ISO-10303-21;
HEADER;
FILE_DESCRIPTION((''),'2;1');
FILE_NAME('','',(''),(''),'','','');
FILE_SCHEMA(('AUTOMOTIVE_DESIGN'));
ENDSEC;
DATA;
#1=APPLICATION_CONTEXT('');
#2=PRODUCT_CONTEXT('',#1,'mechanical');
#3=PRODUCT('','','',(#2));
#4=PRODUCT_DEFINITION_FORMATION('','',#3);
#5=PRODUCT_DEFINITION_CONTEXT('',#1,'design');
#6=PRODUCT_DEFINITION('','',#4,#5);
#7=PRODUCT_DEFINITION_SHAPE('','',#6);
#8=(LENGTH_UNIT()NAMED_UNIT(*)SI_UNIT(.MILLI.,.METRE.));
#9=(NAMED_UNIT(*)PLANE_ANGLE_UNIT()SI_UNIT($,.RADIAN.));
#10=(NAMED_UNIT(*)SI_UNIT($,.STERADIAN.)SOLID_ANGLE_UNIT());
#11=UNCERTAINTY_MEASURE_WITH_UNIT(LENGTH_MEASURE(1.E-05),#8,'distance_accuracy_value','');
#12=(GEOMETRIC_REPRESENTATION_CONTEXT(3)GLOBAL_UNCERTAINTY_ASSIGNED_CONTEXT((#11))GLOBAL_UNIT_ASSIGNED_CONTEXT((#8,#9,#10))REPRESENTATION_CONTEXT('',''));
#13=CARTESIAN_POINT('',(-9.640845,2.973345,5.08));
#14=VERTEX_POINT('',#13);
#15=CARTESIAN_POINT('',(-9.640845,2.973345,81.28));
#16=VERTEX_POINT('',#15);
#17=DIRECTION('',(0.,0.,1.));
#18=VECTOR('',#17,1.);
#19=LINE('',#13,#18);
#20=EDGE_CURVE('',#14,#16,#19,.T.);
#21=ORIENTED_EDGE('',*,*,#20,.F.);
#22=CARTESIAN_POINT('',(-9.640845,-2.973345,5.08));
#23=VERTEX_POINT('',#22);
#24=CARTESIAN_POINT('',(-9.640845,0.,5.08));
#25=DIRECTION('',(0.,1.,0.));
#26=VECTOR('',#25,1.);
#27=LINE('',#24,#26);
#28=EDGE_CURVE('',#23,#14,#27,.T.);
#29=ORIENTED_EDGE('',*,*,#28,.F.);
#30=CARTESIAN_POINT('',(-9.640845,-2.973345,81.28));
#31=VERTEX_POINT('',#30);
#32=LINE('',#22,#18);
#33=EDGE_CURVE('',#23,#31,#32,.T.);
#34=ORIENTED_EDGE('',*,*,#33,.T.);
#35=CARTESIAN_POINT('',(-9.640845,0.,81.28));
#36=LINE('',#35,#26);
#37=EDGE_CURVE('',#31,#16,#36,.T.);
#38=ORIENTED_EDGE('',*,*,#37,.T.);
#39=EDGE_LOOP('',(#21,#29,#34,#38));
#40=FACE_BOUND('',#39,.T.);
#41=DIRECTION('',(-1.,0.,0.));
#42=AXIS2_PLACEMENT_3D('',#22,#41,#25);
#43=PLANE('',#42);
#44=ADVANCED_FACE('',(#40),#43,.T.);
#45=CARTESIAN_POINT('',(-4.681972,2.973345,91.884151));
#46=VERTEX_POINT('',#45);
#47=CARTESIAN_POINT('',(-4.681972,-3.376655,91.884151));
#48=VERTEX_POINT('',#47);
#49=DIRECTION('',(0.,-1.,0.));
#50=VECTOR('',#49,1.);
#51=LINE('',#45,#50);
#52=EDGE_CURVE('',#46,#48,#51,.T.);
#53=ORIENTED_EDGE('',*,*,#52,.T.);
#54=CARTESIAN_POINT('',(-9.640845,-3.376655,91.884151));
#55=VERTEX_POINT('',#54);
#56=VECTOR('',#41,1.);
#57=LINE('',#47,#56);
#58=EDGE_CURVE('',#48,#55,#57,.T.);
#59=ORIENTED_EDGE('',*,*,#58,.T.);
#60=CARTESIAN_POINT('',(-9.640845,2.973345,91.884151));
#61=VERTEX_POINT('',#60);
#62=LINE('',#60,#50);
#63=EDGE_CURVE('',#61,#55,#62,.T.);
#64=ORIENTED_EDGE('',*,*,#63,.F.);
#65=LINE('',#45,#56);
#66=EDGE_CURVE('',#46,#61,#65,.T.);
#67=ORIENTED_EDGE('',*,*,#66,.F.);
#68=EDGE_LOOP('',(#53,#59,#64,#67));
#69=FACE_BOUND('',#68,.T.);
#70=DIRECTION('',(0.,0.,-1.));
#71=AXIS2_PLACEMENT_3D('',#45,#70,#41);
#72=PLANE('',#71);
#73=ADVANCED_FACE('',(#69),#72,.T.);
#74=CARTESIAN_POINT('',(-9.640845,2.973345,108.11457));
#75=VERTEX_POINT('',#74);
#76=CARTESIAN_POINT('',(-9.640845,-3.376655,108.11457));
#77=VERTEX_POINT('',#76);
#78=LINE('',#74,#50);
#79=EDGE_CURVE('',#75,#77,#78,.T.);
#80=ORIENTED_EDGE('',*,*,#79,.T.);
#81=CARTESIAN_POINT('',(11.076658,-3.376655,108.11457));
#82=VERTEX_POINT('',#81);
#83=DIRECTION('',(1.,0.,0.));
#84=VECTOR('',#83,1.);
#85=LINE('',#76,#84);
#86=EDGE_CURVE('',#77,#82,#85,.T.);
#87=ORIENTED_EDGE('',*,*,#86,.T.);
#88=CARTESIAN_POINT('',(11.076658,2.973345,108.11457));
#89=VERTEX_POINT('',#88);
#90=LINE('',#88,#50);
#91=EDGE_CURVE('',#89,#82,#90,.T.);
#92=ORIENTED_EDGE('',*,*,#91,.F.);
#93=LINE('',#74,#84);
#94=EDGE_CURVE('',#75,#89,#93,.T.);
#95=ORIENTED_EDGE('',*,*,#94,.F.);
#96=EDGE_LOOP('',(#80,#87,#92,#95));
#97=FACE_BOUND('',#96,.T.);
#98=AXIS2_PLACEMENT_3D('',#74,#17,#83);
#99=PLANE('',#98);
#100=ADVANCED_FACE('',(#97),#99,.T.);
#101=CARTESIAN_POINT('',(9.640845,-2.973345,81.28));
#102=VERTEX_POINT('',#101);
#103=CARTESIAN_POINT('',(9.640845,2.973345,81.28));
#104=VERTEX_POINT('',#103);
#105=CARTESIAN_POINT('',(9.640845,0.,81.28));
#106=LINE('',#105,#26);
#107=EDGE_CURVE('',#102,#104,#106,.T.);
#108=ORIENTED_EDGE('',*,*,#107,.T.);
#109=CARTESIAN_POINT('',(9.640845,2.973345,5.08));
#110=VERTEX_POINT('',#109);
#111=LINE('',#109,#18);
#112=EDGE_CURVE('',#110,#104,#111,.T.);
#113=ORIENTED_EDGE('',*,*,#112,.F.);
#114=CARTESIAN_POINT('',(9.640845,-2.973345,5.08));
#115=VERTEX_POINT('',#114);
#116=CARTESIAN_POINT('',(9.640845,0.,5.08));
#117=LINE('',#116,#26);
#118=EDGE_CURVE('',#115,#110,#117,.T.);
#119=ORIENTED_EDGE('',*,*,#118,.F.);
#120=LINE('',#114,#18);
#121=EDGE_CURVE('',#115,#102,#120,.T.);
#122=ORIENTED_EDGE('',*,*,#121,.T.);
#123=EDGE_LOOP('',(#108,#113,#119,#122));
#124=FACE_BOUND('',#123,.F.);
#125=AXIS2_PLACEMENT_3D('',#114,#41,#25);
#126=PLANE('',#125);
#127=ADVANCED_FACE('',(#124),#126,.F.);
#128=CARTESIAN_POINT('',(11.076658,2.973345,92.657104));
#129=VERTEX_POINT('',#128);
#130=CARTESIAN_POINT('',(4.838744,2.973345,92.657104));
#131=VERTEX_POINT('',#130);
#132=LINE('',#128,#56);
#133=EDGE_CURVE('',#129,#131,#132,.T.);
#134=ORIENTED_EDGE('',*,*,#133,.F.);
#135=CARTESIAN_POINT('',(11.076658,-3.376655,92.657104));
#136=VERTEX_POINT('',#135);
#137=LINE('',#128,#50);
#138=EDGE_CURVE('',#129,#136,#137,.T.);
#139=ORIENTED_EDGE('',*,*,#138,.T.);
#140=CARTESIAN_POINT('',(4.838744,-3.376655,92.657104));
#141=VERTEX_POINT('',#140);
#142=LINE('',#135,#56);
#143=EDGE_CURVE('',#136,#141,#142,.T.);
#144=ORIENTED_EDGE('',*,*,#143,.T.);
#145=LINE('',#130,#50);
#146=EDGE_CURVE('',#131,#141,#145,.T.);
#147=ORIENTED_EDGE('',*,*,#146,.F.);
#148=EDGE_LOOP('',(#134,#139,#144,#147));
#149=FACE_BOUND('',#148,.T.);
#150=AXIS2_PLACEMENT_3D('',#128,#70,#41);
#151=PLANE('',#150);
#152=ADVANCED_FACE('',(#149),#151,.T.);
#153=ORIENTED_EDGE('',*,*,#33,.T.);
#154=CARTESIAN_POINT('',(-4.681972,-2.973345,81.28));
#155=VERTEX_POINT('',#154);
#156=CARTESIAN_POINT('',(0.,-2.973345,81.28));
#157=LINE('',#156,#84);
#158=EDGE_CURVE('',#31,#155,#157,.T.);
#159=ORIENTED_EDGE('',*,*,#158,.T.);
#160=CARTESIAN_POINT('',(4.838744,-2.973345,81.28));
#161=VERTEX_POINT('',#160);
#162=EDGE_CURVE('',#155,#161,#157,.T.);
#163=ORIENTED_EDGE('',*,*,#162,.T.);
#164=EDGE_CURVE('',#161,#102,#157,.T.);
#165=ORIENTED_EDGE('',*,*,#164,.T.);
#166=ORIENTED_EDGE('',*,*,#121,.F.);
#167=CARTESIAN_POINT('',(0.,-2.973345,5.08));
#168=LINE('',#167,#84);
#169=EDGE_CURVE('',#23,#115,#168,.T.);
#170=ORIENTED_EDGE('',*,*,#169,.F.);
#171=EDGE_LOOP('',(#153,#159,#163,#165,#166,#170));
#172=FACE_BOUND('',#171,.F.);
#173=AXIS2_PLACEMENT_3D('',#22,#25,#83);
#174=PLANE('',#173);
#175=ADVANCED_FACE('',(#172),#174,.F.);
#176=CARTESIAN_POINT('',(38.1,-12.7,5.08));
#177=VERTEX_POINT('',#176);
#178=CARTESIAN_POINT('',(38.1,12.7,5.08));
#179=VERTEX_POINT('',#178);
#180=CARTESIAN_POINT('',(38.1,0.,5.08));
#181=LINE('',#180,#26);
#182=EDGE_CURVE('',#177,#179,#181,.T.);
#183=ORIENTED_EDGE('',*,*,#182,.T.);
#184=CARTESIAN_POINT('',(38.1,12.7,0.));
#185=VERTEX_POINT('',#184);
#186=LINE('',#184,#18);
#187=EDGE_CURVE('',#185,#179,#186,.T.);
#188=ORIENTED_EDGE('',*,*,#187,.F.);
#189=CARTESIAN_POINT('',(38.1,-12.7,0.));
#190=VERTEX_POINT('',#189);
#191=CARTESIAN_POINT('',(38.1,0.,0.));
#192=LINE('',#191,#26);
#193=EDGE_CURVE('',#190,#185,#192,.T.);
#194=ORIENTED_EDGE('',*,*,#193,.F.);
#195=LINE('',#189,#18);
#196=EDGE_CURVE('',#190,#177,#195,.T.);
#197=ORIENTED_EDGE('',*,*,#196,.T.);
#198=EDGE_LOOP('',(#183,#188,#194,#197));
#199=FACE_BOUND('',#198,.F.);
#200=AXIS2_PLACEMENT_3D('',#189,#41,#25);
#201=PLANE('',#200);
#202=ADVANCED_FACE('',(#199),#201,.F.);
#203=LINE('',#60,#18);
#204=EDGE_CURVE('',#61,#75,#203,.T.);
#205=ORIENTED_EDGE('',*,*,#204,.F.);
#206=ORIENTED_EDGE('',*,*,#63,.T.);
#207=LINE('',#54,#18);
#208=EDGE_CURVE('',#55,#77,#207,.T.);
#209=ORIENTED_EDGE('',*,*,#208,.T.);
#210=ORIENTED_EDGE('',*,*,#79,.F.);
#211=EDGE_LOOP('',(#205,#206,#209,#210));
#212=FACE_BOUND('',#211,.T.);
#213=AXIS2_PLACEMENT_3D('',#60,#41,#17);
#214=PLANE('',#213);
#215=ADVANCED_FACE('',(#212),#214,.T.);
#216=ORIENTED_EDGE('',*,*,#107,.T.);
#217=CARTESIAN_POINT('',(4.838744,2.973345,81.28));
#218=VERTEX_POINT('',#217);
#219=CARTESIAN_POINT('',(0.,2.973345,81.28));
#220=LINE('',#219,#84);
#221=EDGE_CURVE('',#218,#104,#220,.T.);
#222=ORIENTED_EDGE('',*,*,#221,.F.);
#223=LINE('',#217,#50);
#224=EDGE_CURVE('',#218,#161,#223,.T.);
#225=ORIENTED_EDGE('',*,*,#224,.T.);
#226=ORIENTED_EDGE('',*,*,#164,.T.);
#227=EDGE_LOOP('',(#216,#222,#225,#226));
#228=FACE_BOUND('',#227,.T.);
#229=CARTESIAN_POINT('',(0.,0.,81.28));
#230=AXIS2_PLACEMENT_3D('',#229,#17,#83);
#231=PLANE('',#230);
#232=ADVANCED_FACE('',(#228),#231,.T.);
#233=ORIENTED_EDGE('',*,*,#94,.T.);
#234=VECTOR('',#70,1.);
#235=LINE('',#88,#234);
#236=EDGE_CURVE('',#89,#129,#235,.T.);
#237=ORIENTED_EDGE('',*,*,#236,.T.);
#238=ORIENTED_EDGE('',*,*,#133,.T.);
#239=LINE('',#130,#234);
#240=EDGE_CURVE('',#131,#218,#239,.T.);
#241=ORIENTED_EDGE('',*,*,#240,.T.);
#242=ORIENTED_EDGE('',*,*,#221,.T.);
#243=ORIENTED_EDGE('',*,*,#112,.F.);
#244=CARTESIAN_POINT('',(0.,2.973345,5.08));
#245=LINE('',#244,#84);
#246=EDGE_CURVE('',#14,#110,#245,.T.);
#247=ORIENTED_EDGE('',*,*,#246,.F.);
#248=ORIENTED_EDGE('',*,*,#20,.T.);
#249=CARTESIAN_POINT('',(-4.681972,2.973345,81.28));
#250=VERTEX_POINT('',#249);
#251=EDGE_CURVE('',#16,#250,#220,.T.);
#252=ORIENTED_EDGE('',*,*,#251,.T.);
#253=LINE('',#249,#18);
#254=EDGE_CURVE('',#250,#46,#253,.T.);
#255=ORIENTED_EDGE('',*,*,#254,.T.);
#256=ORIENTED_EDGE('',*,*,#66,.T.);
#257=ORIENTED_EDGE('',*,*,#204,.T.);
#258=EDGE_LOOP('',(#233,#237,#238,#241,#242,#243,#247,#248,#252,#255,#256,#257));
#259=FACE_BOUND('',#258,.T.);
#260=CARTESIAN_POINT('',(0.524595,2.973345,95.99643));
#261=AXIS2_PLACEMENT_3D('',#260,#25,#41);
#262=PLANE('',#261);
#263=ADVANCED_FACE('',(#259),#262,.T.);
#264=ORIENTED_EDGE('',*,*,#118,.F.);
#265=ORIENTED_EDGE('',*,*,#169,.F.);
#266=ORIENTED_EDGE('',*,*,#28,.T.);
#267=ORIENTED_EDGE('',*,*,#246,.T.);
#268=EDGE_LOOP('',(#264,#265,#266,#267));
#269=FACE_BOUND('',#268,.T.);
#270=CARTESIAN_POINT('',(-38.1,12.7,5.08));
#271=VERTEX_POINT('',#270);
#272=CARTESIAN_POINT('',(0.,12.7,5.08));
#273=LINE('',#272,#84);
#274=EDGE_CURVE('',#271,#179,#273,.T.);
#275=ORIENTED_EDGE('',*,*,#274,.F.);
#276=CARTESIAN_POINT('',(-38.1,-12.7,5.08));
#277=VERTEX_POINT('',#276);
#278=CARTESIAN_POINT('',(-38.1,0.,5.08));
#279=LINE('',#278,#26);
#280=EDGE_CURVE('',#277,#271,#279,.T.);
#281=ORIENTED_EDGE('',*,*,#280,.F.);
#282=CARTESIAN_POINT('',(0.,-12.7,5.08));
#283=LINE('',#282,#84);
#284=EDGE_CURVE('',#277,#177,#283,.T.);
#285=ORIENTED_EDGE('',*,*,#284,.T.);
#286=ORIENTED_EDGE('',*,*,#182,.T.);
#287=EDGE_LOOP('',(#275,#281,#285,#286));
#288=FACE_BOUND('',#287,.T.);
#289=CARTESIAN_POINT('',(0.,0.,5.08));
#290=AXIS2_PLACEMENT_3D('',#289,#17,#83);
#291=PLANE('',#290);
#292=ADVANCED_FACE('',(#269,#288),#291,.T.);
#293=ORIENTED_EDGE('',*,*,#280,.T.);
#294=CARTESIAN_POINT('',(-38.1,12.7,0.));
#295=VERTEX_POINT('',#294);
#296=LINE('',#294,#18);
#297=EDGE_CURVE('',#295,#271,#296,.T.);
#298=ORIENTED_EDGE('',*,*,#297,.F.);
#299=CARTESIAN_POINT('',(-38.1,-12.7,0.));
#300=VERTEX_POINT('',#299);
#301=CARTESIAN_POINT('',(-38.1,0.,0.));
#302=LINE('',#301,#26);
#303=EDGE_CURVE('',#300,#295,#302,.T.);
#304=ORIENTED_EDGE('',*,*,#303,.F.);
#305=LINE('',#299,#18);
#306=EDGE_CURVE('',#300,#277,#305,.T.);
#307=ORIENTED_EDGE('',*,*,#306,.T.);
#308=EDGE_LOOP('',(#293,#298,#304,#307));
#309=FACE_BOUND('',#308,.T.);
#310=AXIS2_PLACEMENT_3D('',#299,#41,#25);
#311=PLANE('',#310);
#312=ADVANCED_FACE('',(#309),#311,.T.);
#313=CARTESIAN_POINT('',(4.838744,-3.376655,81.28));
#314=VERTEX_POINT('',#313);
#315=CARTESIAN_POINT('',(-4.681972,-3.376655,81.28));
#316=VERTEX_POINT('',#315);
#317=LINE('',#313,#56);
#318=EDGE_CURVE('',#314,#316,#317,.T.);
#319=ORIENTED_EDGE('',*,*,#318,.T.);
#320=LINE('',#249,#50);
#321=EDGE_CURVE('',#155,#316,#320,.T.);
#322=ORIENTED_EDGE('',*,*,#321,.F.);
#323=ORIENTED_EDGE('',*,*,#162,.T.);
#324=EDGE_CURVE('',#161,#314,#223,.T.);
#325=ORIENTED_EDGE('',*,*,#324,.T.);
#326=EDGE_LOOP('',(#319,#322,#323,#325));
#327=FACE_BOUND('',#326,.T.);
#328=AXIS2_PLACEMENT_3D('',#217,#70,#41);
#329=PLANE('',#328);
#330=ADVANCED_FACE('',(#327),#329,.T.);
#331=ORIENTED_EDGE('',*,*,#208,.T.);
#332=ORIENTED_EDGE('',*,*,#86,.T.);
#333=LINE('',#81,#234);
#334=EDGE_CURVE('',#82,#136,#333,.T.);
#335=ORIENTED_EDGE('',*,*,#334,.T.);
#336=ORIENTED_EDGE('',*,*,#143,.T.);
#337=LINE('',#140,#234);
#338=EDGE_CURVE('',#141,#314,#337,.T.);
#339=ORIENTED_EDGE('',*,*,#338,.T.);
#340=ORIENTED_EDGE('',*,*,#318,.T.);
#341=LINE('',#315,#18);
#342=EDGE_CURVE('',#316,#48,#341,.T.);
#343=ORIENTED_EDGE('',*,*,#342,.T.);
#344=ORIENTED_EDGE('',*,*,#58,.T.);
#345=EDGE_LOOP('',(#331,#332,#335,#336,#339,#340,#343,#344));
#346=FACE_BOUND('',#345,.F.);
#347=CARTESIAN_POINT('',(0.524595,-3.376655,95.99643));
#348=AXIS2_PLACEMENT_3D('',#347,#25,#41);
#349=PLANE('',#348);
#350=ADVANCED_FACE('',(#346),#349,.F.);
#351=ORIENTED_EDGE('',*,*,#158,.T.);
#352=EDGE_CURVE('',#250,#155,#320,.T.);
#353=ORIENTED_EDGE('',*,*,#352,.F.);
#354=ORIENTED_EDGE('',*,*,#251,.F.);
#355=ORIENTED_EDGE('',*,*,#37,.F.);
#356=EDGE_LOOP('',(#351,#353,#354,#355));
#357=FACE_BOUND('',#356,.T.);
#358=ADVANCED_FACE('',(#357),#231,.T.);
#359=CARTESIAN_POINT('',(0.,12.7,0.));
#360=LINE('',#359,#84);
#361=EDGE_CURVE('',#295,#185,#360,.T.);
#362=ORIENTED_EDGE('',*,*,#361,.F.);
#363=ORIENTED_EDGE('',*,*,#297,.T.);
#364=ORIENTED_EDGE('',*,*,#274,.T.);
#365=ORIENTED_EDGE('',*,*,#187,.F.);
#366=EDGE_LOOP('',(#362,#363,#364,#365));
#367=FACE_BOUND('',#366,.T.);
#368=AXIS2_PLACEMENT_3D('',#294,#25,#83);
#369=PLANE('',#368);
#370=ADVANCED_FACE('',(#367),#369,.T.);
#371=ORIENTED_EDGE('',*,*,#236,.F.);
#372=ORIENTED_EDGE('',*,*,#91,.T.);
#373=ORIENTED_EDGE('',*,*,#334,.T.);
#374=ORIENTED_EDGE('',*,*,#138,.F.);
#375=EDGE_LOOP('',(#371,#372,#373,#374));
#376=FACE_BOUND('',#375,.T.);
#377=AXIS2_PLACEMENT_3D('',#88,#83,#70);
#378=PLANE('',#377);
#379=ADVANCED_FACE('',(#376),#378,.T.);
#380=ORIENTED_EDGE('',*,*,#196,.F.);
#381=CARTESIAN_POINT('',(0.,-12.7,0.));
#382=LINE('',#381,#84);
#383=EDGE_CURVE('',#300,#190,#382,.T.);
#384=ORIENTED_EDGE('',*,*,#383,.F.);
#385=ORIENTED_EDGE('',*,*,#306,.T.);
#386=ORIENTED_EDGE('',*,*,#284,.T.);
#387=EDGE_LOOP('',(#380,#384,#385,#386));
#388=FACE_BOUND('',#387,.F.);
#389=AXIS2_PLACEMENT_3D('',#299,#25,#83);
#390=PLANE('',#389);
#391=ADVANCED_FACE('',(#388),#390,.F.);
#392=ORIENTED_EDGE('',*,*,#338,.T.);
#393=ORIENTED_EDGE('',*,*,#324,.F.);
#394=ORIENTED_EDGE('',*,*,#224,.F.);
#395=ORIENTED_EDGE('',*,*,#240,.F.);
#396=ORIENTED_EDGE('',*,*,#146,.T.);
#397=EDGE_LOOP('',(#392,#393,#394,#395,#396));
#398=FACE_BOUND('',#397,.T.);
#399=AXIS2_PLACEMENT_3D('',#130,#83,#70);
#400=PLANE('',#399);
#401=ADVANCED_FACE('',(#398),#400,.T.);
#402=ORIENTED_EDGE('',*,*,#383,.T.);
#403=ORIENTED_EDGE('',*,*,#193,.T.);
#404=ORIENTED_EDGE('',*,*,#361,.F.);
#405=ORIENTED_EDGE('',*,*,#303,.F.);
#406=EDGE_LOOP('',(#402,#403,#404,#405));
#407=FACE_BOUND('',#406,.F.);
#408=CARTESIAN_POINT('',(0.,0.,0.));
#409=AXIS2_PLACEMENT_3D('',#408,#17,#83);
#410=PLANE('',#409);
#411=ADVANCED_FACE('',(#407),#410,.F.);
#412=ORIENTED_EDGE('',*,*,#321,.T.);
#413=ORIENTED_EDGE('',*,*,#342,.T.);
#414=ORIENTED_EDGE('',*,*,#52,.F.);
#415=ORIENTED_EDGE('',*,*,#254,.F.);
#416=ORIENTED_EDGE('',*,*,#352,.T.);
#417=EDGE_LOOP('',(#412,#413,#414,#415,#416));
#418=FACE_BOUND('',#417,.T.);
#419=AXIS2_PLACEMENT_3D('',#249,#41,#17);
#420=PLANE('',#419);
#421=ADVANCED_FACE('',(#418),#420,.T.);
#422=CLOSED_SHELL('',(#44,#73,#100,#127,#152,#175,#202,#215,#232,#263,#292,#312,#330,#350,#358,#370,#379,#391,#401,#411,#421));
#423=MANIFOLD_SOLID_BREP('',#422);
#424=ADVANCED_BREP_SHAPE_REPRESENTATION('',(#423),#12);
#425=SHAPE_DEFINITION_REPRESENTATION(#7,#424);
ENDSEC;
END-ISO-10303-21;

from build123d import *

# Parameters (mm, degrees)
F0_W     = 76.2
F0_H     = 25.4
F1_DEPTH = 5.08
F2_W     = 19.28169
F2_H     = 5.94669
F3_DEPTH = 76.2
F5_DEPTH = 6.35


with BuildPart() as f1:
    # F0 (on Top) → F1 (new body)
    with BuildSketch(Plane.XY):
        Rectangle(F0_W, F0_H)
    extrude(amount=F1_DEPTH)

    # F2 (on face) → F3 (join)
    with BuildSketch(Plane.XY.offset(5.08)):
        Rectangle(F2_W, F2_H)
    extrude(amount=F3_DEPTH)

    # F4 (on face) → F5 (join)
    with BuildSketch(Plane(origin=(0, 2.973345, 0), x_dir=(-1, 0, 0), z_dir=(0, 1, 0))):
        Polygon((-4.838744, 81.28), (4.681972, 81.28), (4.681972, 91.884151), (9.640845, 91.884151), (9.640845, 108.11457), (-11.076658, 108.11457), (-11.076658, 92.657104), (-4.838744, 92.657104), align=None)
    extrude(amount=-F5_DEPTH)


solid = f1.part
